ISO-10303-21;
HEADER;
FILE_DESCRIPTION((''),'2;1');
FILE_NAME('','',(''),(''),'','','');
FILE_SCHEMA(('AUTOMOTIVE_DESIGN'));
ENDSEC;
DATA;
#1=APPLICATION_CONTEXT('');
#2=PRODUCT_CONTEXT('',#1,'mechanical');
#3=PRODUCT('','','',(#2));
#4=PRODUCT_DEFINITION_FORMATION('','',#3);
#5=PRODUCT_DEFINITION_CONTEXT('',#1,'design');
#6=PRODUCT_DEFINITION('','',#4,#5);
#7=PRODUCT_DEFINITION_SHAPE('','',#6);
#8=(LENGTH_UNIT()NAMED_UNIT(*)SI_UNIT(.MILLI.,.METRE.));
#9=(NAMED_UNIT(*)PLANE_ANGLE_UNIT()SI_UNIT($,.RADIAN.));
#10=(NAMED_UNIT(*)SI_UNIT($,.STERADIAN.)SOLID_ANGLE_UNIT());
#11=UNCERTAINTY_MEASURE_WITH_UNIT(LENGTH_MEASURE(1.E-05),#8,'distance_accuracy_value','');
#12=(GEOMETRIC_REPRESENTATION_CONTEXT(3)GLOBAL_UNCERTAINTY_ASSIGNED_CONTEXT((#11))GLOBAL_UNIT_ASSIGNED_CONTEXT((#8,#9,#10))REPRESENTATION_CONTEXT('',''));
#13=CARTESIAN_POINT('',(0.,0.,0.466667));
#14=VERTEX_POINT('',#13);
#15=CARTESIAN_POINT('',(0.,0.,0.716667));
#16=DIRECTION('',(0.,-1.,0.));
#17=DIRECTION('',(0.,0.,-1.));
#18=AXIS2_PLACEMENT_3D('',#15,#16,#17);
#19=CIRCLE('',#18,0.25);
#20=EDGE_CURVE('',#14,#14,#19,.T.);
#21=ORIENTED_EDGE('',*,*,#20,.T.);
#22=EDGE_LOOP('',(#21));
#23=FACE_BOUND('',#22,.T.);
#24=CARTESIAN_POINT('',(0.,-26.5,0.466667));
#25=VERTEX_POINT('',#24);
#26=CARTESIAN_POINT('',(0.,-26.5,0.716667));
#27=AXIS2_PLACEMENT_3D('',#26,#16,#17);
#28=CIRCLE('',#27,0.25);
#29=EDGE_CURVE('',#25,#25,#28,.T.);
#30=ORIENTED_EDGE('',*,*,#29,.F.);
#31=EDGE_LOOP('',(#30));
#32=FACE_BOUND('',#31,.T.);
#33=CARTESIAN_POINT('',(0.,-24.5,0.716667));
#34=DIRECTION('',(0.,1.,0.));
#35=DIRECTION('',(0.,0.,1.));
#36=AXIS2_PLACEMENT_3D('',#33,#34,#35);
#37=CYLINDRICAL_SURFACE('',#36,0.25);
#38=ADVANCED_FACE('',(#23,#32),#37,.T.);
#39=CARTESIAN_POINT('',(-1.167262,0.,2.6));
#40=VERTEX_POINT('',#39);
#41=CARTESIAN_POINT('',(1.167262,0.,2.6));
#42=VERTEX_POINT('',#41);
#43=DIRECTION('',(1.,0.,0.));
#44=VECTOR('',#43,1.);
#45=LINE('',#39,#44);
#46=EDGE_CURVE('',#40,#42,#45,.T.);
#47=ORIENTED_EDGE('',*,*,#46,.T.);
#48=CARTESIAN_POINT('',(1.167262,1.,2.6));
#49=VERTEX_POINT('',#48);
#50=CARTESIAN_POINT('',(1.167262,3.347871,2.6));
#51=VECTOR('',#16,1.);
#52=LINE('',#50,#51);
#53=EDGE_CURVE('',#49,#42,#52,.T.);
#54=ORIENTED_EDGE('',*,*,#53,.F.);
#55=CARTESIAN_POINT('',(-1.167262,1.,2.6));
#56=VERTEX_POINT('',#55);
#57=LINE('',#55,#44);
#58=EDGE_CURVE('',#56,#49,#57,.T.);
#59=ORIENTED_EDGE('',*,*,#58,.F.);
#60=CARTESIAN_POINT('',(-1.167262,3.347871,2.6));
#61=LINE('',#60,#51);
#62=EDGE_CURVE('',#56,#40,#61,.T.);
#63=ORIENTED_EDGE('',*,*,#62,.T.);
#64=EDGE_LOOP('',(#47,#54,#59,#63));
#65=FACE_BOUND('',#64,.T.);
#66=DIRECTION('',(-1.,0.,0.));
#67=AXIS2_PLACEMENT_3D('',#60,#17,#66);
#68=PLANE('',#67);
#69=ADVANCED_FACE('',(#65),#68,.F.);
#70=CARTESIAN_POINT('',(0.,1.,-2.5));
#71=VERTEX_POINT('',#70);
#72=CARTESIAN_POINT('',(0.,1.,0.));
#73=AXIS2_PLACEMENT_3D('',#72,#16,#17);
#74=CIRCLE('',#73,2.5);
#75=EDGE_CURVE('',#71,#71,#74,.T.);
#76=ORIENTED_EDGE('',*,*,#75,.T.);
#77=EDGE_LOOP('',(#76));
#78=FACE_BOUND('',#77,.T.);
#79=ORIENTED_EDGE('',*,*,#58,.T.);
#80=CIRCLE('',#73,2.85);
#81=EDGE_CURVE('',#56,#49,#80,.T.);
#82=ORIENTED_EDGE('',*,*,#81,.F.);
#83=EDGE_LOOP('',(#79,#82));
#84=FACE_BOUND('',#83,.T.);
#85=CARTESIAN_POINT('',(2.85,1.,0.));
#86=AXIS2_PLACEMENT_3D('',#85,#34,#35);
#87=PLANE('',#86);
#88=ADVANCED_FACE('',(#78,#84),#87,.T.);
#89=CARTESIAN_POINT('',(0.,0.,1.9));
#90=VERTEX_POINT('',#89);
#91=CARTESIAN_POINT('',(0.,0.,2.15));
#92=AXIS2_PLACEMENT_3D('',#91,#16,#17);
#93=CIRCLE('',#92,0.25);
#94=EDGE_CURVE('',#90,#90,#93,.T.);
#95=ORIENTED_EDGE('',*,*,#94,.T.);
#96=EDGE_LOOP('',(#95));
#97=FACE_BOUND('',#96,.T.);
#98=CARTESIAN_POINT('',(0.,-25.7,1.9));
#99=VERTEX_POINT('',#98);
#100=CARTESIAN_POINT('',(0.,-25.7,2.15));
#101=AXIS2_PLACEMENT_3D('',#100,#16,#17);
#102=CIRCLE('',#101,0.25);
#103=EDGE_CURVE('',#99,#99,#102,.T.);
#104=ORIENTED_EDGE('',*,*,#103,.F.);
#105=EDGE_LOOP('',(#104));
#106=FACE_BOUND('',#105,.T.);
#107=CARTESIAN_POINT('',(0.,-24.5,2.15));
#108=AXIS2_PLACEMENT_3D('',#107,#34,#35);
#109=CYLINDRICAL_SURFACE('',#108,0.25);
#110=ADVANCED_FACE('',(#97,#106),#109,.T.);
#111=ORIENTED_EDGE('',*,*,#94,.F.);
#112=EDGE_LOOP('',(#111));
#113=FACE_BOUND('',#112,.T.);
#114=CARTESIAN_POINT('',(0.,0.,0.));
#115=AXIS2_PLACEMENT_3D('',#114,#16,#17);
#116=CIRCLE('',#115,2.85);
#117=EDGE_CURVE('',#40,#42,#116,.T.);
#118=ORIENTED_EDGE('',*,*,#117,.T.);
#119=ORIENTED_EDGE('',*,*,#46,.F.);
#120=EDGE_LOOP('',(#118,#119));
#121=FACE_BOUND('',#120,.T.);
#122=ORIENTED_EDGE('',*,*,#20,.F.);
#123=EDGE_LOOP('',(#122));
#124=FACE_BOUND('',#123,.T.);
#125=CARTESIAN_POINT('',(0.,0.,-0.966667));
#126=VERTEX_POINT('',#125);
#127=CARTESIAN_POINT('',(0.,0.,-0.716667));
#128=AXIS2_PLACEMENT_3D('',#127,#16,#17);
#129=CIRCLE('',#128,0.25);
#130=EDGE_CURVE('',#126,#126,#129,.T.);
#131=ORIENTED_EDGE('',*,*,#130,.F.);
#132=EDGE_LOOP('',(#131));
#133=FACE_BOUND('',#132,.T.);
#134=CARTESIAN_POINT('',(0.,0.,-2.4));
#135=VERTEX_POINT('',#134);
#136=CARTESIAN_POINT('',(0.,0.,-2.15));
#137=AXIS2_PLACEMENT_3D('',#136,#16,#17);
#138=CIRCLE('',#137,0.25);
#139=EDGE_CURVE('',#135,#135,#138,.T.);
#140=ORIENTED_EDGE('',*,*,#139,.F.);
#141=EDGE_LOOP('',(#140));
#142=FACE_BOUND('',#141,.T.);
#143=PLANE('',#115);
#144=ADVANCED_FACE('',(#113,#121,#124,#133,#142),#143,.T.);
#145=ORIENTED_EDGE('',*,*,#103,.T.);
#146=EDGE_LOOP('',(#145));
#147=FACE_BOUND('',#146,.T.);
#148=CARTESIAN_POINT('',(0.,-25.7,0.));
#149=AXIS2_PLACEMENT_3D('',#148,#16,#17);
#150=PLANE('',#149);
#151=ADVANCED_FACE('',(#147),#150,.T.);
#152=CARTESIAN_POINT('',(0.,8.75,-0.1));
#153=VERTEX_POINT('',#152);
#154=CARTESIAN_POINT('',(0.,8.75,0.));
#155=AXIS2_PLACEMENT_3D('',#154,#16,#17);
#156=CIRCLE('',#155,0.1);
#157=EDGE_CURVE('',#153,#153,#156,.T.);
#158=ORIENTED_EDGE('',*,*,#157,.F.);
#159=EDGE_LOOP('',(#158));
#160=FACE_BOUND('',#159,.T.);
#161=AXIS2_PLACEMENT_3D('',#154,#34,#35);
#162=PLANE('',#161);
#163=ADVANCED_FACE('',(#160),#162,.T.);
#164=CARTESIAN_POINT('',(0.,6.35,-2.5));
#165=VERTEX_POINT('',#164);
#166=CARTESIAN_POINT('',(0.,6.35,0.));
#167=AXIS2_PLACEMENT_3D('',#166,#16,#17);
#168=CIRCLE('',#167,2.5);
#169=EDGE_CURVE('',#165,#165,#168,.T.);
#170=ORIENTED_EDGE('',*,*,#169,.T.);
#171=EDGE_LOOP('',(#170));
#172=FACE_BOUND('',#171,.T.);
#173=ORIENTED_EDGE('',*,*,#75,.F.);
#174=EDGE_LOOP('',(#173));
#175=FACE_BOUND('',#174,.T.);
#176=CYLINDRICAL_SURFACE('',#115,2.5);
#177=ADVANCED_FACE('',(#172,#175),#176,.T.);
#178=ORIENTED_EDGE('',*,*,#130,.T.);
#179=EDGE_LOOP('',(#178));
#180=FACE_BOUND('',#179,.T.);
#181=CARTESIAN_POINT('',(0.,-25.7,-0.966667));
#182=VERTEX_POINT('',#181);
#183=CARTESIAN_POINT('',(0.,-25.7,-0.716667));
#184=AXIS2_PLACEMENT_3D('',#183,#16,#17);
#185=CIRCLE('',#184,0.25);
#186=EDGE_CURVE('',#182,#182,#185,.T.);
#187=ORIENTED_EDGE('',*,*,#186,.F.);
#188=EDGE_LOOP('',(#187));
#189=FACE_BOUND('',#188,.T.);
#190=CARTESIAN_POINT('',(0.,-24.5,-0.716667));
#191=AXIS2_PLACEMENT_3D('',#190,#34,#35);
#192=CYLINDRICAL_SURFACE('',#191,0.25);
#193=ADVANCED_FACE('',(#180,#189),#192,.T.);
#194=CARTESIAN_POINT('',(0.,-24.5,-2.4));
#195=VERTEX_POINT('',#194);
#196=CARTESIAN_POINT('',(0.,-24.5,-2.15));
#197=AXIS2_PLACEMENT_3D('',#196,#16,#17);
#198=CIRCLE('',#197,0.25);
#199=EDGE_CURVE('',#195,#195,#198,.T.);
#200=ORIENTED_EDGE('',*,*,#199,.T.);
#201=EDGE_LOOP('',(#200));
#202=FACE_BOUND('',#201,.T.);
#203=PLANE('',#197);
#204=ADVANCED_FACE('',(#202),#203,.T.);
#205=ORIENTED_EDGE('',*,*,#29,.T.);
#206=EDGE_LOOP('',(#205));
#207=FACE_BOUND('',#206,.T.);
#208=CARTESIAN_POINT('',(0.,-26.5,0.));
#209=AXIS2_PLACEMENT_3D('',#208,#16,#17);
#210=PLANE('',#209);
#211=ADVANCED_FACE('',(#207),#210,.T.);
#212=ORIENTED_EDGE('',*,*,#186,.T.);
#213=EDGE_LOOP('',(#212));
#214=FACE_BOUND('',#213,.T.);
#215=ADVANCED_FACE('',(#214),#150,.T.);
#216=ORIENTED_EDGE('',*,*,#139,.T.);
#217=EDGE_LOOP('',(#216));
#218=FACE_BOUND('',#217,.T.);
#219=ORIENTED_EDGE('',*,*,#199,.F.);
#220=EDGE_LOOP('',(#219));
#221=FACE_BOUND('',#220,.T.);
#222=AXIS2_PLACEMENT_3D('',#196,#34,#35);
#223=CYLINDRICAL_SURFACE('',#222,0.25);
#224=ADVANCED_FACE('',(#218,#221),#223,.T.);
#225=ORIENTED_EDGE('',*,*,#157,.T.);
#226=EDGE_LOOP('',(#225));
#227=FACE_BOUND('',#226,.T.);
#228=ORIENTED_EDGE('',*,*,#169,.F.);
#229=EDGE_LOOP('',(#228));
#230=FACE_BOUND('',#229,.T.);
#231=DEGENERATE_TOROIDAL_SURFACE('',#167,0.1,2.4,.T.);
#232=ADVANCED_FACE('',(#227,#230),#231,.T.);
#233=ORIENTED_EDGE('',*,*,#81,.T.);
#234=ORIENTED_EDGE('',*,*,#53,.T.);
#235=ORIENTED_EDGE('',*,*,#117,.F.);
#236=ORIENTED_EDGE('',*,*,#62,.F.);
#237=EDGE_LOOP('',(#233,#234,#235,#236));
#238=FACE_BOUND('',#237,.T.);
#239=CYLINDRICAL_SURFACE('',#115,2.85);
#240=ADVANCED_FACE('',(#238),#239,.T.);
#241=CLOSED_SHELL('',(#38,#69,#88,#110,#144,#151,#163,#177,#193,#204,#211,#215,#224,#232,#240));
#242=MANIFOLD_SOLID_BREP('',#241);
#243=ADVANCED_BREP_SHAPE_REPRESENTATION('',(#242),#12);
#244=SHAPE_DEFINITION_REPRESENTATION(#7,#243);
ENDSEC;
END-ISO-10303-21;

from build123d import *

# Parameters (mm, degrees)
CUT_EXTRUDE1_DEPTH  = 1
SKETCH3_R           = 0.25
BOSS_EXTRUDE1_DEPTH = 24.5
SKETCH4_R           = 0.25
BOSS_EXTRUDE2_DEPTH = 1.2
SKETCH5_R           = 0.25
BOSS_EXTRUDE3_DEPTH = 2


with BuildPart() as part:
    # Sketch1 → Revolve1 (revolve)
    with BuildSketch(Plane.XY):
        with BuildLine():
            Line((0, 0), (0, 8.75))
            Line((0, 8.75), (0.1, 8.75))
            ThreePointArc((0.1, 8.75), (1.797056275, 8.047056275), (2.5, 6.35))
            Line((2.5, 6.35), (2.5, 1))
            Line((2.5, 1), (2.85, 1))
            Line((2.85, 1), (2.85, 0))
            Line((2.85, 0), (0, 0))
        make_face()
    revolve(axis=Axis((0, 0, 0), (0, 1, 0)))

    # Sketch2 → Cut-Extrude1 (cut)
    with BuildSketch(Plane.XZ):
        with BuildLine():
            Line((-1.167261753, 2.6), (1.167261753, 2.6))
            ThreePointArc((1.167261753, 2.6), (0, 2.85), (-1.167261753, 2.6))
        make_face()
    extrude(amount=-CUT_EXTRUDE1_DEPTH, mode=Mode.SUBTRACT)

    # Sketch3 → Boss-Extrude1 (add)
    with BuildSketch(Plane.XZ):
        with Locations((0, -2.15)):
            Circle(SKETCH3_R)
        with Locations((0, 2.15)):
            Circle(SKETCH3_R)
        with Locations((0, -0.716666667)):
            Circle(SKETCH3_R)
        with Locations((0, 0.716666667)):
            Circle(SKETCH3_R)
    extrude(amount=BOSS_EXTRUDE1_DEPTH)

    # Sketch4 → Boss-Extrude2 (add)
    with BuildSketch(Plane.XZ.offset(24.5)):
        with Locations((0, 2.15)):
            Circle(SKETCH4_R)
        with Locations((0, -0.716666667)):
            Circle(SKETCH4_R)
    extrude(amount=BOSS_EXTRUDE2_DEPTH)

    # Sketch5 → Boss-Extrude3 (add)
    with BuildSketch(Plane.XZ.offset(24.5)):
        with Locations((0, 0.716666667)):
            Circle(SKETCH5_R)
    extrude(amount=BOSS_EXTRUDE3_DEPTH)


solid = part.part
